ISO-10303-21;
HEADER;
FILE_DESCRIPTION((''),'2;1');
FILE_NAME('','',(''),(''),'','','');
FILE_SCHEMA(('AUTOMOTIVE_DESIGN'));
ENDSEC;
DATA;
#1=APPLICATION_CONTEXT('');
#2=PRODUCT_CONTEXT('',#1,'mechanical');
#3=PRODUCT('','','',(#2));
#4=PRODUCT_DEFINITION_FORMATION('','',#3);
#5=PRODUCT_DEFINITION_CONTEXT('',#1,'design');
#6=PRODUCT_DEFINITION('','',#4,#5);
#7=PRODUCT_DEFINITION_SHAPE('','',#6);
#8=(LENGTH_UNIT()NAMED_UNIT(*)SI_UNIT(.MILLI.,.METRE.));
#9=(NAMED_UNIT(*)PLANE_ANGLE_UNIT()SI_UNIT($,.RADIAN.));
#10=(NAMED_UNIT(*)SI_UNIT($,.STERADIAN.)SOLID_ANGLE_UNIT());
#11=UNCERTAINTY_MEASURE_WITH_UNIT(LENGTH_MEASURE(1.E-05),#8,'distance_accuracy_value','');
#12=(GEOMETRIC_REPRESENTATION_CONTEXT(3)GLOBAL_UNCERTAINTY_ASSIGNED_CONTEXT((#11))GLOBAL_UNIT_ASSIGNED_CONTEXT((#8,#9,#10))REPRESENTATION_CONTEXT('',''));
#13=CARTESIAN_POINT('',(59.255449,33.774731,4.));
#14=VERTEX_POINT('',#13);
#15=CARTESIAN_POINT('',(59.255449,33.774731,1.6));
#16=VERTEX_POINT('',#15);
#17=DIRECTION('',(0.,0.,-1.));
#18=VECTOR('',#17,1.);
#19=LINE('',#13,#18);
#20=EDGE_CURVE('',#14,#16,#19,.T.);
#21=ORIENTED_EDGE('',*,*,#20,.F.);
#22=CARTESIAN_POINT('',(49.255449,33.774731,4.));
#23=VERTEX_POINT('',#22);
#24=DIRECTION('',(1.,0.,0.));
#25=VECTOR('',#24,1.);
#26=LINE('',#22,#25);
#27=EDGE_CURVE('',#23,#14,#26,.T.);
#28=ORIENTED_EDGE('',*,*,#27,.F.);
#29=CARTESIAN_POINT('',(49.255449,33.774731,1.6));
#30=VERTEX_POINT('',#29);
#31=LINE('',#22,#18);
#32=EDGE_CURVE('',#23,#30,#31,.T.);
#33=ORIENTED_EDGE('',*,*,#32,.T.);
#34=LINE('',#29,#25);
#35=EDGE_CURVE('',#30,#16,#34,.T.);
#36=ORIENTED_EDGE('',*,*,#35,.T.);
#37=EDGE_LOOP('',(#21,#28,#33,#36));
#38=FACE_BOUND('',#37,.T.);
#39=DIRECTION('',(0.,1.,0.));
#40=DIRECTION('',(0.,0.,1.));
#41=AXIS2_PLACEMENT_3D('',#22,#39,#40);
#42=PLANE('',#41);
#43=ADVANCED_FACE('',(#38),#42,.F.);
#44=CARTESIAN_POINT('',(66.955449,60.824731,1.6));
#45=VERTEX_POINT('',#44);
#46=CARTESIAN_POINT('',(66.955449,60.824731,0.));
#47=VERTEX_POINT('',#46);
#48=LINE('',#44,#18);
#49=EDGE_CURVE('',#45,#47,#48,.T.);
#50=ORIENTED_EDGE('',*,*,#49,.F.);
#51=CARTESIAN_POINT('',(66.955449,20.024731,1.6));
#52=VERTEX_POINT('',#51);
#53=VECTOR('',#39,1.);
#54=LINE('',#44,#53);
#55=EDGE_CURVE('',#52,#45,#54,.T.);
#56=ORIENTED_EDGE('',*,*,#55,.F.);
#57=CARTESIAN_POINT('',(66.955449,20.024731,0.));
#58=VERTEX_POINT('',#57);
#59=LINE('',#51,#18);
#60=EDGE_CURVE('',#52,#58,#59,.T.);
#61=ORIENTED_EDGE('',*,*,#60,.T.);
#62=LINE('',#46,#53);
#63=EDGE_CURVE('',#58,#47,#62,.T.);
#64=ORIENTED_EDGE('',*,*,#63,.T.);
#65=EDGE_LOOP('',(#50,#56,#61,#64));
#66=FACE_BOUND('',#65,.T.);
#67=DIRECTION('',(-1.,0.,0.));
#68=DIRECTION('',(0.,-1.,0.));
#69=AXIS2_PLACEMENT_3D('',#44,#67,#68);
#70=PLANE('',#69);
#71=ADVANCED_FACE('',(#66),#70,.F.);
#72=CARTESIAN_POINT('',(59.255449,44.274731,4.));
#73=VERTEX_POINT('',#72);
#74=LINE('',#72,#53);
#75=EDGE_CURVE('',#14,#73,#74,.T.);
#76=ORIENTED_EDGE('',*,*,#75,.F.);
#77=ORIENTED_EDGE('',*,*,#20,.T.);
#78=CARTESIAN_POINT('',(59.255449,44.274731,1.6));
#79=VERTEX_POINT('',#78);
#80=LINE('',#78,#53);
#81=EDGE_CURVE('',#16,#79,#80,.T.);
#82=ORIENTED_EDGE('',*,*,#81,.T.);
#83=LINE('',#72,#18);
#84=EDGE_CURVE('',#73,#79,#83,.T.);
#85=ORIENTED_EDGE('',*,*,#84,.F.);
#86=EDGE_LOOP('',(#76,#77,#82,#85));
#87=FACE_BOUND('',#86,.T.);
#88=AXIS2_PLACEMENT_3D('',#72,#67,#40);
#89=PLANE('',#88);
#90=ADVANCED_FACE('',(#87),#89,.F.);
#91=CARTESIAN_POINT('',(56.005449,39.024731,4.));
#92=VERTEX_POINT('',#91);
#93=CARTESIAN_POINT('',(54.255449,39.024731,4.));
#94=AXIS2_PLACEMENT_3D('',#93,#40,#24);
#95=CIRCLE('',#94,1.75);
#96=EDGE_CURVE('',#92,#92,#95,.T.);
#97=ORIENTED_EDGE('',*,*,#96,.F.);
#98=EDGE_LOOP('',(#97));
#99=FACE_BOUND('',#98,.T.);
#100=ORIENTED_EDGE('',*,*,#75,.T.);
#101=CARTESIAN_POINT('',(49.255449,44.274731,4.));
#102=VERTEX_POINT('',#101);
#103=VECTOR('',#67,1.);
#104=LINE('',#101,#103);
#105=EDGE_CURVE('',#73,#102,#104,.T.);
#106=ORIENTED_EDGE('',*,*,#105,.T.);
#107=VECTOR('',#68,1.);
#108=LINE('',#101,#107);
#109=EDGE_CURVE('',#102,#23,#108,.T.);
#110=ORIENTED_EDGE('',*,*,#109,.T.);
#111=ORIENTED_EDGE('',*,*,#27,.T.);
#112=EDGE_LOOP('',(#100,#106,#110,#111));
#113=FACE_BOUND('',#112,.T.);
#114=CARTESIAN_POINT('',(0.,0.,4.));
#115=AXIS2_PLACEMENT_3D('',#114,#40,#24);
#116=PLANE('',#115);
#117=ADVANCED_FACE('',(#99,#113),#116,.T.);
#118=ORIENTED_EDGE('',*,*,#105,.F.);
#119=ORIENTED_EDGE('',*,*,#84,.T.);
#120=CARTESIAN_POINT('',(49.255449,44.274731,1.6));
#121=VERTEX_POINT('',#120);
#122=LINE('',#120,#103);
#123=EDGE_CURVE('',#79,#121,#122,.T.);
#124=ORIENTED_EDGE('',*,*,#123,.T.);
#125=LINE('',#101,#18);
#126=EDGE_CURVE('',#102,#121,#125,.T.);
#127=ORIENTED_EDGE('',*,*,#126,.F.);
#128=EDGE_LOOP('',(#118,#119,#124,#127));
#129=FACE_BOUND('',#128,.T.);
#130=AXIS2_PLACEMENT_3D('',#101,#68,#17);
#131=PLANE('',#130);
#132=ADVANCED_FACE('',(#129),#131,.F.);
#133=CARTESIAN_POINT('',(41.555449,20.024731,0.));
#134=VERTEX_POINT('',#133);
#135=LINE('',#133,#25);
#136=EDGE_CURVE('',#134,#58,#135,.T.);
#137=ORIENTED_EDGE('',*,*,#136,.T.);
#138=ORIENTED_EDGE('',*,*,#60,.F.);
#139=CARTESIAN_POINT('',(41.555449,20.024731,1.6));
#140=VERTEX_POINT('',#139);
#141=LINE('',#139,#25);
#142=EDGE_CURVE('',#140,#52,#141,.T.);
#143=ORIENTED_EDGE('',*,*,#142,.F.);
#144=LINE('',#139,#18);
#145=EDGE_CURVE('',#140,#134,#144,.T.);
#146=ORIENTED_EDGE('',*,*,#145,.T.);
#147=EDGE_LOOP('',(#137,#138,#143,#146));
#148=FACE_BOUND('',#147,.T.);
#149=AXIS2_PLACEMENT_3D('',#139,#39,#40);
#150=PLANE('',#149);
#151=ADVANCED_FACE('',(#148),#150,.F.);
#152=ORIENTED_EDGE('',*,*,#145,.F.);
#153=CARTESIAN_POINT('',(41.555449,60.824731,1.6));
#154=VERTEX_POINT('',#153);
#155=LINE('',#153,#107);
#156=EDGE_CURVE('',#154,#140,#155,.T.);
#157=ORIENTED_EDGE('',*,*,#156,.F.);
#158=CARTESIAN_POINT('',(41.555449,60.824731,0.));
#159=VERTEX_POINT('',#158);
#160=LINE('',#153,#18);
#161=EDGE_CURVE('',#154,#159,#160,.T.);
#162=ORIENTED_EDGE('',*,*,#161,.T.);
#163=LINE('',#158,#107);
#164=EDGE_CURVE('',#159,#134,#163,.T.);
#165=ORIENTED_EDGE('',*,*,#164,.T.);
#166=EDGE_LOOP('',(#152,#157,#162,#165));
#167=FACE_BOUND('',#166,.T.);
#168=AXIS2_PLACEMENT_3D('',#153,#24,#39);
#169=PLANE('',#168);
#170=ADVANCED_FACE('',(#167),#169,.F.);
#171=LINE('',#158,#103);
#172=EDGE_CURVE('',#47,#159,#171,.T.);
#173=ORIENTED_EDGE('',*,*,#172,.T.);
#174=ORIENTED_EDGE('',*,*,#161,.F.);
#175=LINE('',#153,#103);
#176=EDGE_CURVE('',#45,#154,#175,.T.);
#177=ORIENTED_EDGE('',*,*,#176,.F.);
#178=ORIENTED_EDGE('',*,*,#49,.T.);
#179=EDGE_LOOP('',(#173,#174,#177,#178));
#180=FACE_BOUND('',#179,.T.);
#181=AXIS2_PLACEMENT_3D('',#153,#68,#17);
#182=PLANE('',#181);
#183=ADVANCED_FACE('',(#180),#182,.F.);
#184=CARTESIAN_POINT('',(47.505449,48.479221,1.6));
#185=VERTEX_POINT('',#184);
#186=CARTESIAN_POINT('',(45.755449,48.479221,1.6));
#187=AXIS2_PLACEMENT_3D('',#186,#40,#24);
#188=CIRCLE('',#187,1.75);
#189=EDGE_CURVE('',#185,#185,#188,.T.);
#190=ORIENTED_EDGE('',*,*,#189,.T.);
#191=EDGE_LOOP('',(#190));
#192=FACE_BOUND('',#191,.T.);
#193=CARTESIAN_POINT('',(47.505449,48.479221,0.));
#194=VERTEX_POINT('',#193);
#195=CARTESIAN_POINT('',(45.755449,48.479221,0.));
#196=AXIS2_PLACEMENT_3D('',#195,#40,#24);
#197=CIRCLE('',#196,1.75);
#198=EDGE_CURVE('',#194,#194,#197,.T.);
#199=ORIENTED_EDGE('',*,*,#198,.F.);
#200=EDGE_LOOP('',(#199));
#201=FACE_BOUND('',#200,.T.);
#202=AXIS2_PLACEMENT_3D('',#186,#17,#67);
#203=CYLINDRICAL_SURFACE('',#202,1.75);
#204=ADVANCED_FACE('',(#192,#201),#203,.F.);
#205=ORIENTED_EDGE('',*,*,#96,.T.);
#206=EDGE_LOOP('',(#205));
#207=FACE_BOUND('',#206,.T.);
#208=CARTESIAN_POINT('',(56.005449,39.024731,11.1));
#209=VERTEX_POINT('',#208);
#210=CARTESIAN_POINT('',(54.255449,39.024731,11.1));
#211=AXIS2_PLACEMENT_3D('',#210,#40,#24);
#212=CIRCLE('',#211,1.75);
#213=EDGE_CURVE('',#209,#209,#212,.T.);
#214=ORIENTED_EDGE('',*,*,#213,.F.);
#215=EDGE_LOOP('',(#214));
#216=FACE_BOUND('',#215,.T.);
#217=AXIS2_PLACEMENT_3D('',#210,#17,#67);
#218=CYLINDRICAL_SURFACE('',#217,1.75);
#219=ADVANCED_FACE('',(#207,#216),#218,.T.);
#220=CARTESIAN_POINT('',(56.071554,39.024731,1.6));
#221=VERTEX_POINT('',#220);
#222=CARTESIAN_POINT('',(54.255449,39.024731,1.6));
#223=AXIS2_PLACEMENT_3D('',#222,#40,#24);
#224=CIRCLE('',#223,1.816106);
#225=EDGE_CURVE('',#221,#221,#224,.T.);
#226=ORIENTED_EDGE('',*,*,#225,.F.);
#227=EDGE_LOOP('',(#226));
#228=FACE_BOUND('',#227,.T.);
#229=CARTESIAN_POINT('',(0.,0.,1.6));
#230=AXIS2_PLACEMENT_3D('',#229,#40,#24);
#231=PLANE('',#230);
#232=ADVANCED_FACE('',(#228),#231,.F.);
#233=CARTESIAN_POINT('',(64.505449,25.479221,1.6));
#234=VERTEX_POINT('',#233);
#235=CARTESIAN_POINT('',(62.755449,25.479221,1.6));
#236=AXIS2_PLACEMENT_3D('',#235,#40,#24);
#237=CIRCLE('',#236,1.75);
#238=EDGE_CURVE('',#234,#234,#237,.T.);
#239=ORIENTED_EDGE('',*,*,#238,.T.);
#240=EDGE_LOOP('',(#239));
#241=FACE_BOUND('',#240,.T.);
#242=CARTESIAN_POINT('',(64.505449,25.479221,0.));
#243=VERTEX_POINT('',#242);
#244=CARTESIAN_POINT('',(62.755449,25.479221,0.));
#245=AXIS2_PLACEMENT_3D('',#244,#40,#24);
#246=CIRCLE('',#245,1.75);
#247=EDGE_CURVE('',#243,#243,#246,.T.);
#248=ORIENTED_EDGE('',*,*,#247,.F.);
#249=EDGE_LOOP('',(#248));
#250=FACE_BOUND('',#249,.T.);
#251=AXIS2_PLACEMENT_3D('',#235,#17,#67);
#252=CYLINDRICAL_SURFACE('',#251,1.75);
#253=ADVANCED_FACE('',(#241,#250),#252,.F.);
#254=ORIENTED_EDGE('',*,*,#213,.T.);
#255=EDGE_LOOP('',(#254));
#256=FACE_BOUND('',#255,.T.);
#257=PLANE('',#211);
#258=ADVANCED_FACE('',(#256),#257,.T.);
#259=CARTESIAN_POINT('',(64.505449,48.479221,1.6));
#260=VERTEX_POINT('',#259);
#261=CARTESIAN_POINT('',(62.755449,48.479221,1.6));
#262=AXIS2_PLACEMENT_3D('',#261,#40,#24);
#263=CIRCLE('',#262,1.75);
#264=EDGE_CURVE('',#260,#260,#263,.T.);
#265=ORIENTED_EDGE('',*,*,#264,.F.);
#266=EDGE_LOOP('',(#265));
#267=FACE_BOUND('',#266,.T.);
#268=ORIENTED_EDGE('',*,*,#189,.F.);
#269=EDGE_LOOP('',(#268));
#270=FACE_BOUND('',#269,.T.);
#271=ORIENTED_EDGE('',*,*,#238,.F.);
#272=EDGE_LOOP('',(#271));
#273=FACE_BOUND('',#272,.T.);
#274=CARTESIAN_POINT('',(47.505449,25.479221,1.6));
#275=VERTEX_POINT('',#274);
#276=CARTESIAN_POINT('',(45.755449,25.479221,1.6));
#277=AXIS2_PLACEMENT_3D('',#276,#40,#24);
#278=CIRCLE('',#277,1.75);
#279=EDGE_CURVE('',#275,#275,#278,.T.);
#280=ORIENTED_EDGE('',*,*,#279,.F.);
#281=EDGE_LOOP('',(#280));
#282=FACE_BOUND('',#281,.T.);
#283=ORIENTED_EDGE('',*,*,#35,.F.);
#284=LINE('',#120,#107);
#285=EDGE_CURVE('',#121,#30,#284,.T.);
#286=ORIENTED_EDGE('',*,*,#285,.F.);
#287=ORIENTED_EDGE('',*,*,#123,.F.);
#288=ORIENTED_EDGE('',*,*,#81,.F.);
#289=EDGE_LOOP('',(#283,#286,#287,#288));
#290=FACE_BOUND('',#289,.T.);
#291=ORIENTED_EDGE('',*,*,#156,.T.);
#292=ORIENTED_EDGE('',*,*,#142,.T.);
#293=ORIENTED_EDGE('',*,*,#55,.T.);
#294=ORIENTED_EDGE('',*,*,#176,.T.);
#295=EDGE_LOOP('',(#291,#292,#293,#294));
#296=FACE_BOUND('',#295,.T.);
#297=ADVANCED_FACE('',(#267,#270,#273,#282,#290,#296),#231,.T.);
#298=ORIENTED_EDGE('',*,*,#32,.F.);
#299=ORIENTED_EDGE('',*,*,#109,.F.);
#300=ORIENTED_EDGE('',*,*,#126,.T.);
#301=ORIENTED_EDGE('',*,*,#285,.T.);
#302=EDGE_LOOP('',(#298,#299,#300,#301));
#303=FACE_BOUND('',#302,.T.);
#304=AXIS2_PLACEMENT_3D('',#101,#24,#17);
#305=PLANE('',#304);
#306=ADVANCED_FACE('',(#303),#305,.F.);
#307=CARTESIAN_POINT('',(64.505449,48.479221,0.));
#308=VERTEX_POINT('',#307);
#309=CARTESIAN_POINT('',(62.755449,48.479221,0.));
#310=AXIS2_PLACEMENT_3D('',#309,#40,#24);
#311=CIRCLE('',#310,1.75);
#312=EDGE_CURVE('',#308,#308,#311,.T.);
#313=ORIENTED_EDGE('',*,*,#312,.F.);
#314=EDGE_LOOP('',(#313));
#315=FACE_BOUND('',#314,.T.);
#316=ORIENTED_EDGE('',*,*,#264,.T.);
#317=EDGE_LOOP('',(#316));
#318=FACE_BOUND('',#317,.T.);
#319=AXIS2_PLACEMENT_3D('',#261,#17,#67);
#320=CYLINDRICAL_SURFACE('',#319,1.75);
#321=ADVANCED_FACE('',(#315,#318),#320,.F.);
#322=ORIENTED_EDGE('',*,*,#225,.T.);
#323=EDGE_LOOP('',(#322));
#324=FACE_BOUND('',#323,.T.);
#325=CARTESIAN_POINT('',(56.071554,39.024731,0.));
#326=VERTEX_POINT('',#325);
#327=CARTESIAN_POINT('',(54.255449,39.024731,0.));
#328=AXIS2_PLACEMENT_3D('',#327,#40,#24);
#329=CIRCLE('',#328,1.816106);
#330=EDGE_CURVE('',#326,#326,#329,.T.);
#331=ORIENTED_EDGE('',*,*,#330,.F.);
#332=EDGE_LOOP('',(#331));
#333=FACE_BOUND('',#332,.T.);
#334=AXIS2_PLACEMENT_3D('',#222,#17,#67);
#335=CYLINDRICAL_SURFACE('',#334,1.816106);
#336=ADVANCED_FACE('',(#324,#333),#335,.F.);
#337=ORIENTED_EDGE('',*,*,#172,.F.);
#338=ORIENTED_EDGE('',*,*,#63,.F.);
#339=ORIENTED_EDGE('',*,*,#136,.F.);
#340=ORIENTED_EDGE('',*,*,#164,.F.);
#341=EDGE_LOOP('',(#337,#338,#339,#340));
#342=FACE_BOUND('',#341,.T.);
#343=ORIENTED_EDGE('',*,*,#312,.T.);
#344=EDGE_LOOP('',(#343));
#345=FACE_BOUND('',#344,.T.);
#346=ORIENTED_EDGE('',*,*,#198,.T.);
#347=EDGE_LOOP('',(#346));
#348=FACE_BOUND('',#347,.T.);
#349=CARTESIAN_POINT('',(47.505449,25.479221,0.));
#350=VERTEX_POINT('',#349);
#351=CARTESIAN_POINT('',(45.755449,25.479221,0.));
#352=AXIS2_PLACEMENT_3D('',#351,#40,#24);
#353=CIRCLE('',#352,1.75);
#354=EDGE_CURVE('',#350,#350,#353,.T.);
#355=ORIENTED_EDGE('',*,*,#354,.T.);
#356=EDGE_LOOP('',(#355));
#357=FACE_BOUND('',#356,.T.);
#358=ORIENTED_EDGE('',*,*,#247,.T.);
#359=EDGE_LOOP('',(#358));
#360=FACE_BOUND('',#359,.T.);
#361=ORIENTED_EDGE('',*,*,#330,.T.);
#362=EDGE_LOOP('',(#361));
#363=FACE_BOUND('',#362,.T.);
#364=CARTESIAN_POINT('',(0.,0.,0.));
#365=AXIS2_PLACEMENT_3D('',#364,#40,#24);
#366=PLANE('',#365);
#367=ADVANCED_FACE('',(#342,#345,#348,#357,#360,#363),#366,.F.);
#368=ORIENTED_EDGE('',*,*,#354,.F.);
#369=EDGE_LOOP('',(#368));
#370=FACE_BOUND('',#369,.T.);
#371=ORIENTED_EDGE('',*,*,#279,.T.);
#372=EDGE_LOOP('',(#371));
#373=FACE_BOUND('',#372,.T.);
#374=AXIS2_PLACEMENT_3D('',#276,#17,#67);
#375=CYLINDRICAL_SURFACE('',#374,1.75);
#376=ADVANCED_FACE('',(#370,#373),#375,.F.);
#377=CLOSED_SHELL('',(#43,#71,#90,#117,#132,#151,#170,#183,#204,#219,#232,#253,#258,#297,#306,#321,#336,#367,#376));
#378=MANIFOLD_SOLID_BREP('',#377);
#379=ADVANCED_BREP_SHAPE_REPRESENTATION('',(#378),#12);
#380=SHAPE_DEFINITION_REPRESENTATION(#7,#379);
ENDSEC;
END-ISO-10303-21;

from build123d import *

# Parameters (mm, degrees)
ESQUISSE1_W        = 25.4
ESQUISSE1_H        = 40.8
ESQUISSE1_R        = 1.75
ESQUISSE1_R_2      = 1.816105755
BOSS_EXTRU_1_DEPTH = 1.6
ESQUISSE2_W        = 10
ESQUISSE2_H        = 10.5
BOSS_EXTRU_2_DEPTH = 2.4
ESQUISSE3_R        = 1.75
BOSS_EXTRU_3_DEPTH = 7.1


with BuildPart() as part:
    # Esquisse1 → Boss.-Extru.1 (new body)
    with BuildSketch(Plane.XY):
        with Locations((54.255448742, 40.424731349)):
            Rectangle(ESQUISSE1_W, ESQUISSE1_H)
        with Locations((62.755448742, 25.479221209)):
            Circle(ESQUISSE1_R, mode=Mode.SUBTRACT)
        with Locations((45.755448742, 25.479221209)):
            Circle(ESQUISSE1_R, mode=Mode.SUBTRACT)
        with Locations((62.755448742, 48.479221209)):
            Circle(ESQUISSE1_R, mode=Mode.SUBTRACT)
        with Locations((45.755448742, 48.479221209)):
            Circle(ESQUISSE1_R, mode=Mode.SUBTRACT)
        with Locations((54.255448742, 39.024731349)):
            Circle(ESQUISSE1_R_2, mode=Mode.SUBTRACT)
    extrude(amount=BOSS_EXTRU_1_DEPTH)

    # Esquisse2 → Boss.-Extru.2 (add)
    with BuildSketch(Plane.XY.offset(1.6)):
        with Locations((54.255448742, 39.024731349)):
            Rectangle(ESQUISSE2_W, ESQUISSE2_H)
    extrude(amount=BOSS_EXTRU_2_DEPTH)

    # Esquisse3 → Boss.-Extru.3 (add)
    with BuildSketch(Plane.XY.offset(4)):
        with Locations((54.255448742, 39.024731349)):
            Circle(ESQUISSE3_R)
    extrude(amount=BOSS_EXTRU_3_DEPTH)


solid = part.part
